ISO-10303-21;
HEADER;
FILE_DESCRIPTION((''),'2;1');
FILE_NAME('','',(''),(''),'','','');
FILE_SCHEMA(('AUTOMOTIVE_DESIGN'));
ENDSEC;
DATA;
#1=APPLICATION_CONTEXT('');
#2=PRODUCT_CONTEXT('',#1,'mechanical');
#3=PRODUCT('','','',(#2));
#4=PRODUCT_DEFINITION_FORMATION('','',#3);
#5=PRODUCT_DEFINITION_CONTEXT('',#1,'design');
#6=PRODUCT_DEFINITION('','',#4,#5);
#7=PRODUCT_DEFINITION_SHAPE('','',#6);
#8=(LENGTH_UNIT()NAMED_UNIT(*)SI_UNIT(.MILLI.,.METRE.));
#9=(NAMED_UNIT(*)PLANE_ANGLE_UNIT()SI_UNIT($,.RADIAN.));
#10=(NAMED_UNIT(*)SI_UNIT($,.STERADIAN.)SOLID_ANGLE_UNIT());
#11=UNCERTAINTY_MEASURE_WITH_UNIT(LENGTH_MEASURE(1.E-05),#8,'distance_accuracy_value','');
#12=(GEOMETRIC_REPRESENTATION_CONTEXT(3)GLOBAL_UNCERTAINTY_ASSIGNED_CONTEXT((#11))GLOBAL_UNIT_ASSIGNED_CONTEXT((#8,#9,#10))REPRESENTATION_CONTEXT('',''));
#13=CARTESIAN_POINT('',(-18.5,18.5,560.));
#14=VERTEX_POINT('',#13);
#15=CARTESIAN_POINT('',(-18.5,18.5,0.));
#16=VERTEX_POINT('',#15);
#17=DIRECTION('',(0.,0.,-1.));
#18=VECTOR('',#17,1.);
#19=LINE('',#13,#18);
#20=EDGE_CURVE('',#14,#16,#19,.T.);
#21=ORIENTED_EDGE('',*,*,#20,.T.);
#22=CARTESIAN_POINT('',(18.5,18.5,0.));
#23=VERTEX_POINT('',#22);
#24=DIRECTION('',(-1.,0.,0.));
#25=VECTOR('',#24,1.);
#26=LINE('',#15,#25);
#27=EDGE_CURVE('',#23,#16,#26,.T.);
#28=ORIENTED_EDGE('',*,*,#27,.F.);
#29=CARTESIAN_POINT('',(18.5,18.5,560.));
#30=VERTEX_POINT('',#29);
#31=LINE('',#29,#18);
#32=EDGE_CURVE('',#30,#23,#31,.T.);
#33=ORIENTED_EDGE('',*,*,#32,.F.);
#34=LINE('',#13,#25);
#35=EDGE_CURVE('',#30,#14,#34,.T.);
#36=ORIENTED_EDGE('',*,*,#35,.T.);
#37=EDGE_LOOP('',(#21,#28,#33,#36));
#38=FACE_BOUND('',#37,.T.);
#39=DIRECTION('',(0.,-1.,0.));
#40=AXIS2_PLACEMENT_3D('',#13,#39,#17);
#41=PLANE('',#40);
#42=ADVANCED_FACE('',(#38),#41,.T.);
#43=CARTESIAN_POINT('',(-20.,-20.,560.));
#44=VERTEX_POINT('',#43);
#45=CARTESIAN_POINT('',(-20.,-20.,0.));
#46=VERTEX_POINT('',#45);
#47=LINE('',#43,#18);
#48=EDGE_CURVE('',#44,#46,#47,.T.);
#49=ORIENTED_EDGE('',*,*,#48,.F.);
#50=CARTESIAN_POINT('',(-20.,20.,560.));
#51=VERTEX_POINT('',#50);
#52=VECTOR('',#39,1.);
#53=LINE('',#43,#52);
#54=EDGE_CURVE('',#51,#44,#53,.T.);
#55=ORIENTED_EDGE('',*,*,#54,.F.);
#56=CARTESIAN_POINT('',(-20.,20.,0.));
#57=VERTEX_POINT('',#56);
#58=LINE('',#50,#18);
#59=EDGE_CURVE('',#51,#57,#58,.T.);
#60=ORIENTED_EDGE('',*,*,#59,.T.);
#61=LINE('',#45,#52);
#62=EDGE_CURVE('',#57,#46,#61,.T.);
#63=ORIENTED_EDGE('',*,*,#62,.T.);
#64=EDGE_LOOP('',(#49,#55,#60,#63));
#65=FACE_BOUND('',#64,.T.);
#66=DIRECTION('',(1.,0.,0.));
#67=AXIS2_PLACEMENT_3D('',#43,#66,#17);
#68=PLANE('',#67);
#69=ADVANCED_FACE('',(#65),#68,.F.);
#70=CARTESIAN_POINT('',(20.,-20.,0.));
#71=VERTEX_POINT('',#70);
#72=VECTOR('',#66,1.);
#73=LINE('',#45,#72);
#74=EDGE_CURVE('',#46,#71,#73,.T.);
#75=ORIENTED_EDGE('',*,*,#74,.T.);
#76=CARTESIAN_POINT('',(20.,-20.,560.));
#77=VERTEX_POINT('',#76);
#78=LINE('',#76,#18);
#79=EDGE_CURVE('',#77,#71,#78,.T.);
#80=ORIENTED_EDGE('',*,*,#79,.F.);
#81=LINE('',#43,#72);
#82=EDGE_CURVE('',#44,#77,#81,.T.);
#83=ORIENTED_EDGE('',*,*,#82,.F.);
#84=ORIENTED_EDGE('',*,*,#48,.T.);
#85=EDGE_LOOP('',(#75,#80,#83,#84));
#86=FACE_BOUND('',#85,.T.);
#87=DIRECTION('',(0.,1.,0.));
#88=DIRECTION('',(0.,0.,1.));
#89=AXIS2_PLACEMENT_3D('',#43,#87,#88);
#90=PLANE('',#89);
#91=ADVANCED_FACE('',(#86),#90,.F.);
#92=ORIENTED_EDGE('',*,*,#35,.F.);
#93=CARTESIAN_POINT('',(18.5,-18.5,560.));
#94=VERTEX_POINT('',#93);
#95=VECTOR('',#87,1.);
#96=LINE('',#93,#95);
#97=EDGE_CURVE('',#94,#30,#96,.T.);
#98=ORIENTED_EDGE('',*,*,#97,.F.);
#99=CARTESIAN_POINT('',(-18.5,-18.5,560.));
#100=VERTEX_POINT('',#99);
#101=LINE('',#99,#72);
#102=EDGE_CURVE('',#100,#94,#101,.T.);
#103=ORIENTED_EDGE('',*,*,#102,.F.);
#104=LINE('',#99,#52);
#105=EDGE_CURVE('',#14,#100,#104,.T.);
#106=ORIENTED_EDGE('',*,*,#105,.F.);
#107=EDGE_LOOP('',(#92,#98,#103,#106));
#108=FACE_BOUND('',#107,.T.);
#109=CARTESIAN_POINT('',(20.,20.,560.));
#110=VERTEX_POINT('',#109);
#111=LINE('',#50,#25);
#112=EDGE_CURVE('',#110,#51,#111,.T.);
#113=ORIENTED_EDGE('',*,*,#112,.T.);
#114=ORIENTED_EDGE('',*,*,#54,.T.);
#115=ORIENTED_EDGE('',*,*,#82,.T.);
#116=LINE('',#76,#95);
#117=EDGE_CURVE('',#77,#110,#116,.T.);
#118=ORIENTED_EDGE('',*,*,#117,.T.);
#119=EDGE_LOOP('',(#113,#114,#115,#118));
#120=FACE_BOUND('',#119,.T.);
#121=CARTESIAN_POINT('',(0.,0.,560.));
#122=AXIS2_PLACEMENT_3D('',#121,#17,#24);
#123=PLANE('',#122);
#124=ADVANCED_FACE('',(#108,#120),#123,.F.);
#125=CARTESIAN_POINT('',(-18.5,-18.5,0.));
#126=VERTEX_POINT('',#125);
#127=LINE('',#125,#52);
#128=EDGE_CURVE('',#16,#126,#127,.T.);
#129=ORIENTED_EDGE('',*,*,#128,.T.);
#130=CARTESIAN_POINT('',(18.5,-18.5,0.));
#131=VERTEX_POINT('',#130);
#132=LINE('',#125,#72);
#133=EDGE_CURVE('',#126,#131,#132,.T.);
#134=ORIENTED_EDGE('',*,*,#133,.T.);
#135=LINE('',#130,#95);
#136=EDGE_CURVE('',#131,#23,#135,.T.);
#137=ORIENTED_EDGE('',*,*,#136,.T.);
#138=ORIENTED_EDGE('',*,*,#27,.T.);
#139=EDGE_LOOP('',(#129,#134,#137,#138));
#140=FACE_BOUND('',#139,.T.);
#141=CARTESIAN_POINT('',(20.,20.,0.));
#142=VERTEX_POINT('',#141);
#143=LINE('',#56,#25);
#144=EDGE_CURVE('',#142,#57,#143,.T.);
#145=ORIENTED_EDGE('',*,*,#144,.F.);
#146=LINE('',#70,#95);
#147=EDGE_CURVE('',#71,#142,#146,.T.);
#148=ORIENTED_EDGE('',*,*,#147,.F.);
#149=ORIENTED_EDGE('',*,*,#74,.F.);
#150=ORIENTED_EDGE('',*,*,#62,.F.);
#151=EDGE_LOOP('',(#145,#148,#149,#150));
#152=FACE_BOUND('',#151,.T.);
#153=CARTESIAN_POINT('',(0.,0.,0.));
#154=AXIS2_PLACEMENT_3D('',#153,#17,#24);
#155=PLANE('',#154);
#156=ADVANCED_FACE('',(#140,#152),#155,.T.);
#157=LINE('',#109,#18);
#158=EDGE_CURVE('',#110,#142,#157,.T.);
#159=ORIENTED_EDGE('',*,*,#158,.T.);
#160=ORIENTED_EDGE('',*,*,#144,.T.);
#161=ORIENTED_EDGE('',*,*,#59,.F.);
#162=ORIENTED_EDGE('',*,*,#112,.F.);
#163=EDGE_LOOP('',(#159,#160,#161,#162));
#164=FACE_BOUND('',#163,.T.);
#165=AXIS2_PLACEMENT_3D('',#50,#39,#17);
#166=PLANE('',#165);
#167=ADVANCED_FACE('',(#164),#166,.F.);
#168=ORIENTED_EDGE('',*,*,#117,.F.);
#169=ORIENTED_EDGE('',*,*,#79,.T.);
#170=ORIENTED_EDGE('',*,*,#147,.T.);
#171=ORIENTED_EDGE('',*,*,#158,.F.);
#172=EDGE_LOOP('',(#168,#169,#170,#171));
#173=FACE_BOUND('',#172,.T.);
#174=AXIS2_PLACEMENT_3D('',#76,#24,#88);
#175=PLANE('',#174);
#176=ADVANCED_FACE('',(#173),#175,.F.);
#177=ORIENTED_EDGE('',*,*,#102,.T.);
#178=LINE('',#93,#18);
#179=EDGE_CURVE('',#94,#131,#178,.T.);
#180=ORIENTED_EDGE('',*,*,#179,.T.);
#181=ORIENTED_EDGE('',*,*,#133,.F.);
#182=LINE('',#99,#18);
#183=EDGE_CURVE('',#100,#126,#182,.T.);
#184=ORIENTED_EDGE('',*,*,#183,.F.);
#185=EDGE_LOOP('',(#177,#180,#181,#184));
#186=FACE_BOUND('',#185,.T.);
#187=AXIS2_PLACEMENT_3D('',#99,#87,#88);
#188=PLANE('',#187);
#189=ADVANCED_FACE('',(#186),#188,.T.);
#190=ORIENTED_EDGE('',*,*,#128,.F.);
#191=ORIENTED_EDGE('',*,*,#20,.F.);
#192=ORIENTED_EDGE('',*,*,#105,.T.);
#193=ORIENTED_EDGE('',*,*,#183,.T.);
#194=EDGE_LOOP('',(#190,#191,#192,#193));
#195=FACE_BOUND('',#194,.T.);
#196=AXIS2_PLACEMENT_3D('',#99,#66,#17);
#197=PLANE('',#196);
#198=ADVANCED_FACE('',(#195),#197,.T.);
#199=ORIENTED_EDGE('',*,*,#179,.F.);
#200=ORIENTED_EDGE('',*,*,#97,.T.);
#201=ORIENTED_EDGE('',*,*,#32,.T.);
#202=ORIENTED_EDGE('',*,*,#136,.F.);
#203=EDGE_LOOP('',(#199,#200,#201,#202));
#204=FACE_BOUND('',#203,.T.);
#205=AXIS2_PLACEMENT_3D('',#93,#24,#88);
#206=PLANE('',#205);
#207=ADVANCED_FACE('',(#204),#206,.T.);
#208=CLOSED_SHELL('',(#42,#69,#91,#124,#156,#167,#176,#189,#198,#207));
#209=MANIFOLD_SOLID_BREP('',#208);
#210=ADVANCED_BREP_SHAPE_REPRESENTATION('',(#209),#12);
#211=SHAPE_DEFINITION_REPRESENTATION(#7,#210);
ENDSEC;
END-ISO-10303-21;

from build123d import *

# Parameters (mm, degrees)
ESQUISSE1_W        = 40
ESQUISSE1_H        = 40
ESQUISSE1_W_2      = 37
ESQUISSE1_H_2      = 37
BOSS_EXTRU_1_DEPTH = 560


with BuildPart() as part:
    # Esquisse1 → Boss.-Extru.1 (new body)
    with BuildSketch(Plane.XY):
        Rectangle(ESQUISSE1_W, ESQUISSE1_H)
        Rectangle(ESQUISSE1_W_2, ESQUISSE1_H_2, mode=Mode.SUBTRACT)
    extrude(amount=BOSS_EXTRU_1_DEPTH)


solid = part.part
